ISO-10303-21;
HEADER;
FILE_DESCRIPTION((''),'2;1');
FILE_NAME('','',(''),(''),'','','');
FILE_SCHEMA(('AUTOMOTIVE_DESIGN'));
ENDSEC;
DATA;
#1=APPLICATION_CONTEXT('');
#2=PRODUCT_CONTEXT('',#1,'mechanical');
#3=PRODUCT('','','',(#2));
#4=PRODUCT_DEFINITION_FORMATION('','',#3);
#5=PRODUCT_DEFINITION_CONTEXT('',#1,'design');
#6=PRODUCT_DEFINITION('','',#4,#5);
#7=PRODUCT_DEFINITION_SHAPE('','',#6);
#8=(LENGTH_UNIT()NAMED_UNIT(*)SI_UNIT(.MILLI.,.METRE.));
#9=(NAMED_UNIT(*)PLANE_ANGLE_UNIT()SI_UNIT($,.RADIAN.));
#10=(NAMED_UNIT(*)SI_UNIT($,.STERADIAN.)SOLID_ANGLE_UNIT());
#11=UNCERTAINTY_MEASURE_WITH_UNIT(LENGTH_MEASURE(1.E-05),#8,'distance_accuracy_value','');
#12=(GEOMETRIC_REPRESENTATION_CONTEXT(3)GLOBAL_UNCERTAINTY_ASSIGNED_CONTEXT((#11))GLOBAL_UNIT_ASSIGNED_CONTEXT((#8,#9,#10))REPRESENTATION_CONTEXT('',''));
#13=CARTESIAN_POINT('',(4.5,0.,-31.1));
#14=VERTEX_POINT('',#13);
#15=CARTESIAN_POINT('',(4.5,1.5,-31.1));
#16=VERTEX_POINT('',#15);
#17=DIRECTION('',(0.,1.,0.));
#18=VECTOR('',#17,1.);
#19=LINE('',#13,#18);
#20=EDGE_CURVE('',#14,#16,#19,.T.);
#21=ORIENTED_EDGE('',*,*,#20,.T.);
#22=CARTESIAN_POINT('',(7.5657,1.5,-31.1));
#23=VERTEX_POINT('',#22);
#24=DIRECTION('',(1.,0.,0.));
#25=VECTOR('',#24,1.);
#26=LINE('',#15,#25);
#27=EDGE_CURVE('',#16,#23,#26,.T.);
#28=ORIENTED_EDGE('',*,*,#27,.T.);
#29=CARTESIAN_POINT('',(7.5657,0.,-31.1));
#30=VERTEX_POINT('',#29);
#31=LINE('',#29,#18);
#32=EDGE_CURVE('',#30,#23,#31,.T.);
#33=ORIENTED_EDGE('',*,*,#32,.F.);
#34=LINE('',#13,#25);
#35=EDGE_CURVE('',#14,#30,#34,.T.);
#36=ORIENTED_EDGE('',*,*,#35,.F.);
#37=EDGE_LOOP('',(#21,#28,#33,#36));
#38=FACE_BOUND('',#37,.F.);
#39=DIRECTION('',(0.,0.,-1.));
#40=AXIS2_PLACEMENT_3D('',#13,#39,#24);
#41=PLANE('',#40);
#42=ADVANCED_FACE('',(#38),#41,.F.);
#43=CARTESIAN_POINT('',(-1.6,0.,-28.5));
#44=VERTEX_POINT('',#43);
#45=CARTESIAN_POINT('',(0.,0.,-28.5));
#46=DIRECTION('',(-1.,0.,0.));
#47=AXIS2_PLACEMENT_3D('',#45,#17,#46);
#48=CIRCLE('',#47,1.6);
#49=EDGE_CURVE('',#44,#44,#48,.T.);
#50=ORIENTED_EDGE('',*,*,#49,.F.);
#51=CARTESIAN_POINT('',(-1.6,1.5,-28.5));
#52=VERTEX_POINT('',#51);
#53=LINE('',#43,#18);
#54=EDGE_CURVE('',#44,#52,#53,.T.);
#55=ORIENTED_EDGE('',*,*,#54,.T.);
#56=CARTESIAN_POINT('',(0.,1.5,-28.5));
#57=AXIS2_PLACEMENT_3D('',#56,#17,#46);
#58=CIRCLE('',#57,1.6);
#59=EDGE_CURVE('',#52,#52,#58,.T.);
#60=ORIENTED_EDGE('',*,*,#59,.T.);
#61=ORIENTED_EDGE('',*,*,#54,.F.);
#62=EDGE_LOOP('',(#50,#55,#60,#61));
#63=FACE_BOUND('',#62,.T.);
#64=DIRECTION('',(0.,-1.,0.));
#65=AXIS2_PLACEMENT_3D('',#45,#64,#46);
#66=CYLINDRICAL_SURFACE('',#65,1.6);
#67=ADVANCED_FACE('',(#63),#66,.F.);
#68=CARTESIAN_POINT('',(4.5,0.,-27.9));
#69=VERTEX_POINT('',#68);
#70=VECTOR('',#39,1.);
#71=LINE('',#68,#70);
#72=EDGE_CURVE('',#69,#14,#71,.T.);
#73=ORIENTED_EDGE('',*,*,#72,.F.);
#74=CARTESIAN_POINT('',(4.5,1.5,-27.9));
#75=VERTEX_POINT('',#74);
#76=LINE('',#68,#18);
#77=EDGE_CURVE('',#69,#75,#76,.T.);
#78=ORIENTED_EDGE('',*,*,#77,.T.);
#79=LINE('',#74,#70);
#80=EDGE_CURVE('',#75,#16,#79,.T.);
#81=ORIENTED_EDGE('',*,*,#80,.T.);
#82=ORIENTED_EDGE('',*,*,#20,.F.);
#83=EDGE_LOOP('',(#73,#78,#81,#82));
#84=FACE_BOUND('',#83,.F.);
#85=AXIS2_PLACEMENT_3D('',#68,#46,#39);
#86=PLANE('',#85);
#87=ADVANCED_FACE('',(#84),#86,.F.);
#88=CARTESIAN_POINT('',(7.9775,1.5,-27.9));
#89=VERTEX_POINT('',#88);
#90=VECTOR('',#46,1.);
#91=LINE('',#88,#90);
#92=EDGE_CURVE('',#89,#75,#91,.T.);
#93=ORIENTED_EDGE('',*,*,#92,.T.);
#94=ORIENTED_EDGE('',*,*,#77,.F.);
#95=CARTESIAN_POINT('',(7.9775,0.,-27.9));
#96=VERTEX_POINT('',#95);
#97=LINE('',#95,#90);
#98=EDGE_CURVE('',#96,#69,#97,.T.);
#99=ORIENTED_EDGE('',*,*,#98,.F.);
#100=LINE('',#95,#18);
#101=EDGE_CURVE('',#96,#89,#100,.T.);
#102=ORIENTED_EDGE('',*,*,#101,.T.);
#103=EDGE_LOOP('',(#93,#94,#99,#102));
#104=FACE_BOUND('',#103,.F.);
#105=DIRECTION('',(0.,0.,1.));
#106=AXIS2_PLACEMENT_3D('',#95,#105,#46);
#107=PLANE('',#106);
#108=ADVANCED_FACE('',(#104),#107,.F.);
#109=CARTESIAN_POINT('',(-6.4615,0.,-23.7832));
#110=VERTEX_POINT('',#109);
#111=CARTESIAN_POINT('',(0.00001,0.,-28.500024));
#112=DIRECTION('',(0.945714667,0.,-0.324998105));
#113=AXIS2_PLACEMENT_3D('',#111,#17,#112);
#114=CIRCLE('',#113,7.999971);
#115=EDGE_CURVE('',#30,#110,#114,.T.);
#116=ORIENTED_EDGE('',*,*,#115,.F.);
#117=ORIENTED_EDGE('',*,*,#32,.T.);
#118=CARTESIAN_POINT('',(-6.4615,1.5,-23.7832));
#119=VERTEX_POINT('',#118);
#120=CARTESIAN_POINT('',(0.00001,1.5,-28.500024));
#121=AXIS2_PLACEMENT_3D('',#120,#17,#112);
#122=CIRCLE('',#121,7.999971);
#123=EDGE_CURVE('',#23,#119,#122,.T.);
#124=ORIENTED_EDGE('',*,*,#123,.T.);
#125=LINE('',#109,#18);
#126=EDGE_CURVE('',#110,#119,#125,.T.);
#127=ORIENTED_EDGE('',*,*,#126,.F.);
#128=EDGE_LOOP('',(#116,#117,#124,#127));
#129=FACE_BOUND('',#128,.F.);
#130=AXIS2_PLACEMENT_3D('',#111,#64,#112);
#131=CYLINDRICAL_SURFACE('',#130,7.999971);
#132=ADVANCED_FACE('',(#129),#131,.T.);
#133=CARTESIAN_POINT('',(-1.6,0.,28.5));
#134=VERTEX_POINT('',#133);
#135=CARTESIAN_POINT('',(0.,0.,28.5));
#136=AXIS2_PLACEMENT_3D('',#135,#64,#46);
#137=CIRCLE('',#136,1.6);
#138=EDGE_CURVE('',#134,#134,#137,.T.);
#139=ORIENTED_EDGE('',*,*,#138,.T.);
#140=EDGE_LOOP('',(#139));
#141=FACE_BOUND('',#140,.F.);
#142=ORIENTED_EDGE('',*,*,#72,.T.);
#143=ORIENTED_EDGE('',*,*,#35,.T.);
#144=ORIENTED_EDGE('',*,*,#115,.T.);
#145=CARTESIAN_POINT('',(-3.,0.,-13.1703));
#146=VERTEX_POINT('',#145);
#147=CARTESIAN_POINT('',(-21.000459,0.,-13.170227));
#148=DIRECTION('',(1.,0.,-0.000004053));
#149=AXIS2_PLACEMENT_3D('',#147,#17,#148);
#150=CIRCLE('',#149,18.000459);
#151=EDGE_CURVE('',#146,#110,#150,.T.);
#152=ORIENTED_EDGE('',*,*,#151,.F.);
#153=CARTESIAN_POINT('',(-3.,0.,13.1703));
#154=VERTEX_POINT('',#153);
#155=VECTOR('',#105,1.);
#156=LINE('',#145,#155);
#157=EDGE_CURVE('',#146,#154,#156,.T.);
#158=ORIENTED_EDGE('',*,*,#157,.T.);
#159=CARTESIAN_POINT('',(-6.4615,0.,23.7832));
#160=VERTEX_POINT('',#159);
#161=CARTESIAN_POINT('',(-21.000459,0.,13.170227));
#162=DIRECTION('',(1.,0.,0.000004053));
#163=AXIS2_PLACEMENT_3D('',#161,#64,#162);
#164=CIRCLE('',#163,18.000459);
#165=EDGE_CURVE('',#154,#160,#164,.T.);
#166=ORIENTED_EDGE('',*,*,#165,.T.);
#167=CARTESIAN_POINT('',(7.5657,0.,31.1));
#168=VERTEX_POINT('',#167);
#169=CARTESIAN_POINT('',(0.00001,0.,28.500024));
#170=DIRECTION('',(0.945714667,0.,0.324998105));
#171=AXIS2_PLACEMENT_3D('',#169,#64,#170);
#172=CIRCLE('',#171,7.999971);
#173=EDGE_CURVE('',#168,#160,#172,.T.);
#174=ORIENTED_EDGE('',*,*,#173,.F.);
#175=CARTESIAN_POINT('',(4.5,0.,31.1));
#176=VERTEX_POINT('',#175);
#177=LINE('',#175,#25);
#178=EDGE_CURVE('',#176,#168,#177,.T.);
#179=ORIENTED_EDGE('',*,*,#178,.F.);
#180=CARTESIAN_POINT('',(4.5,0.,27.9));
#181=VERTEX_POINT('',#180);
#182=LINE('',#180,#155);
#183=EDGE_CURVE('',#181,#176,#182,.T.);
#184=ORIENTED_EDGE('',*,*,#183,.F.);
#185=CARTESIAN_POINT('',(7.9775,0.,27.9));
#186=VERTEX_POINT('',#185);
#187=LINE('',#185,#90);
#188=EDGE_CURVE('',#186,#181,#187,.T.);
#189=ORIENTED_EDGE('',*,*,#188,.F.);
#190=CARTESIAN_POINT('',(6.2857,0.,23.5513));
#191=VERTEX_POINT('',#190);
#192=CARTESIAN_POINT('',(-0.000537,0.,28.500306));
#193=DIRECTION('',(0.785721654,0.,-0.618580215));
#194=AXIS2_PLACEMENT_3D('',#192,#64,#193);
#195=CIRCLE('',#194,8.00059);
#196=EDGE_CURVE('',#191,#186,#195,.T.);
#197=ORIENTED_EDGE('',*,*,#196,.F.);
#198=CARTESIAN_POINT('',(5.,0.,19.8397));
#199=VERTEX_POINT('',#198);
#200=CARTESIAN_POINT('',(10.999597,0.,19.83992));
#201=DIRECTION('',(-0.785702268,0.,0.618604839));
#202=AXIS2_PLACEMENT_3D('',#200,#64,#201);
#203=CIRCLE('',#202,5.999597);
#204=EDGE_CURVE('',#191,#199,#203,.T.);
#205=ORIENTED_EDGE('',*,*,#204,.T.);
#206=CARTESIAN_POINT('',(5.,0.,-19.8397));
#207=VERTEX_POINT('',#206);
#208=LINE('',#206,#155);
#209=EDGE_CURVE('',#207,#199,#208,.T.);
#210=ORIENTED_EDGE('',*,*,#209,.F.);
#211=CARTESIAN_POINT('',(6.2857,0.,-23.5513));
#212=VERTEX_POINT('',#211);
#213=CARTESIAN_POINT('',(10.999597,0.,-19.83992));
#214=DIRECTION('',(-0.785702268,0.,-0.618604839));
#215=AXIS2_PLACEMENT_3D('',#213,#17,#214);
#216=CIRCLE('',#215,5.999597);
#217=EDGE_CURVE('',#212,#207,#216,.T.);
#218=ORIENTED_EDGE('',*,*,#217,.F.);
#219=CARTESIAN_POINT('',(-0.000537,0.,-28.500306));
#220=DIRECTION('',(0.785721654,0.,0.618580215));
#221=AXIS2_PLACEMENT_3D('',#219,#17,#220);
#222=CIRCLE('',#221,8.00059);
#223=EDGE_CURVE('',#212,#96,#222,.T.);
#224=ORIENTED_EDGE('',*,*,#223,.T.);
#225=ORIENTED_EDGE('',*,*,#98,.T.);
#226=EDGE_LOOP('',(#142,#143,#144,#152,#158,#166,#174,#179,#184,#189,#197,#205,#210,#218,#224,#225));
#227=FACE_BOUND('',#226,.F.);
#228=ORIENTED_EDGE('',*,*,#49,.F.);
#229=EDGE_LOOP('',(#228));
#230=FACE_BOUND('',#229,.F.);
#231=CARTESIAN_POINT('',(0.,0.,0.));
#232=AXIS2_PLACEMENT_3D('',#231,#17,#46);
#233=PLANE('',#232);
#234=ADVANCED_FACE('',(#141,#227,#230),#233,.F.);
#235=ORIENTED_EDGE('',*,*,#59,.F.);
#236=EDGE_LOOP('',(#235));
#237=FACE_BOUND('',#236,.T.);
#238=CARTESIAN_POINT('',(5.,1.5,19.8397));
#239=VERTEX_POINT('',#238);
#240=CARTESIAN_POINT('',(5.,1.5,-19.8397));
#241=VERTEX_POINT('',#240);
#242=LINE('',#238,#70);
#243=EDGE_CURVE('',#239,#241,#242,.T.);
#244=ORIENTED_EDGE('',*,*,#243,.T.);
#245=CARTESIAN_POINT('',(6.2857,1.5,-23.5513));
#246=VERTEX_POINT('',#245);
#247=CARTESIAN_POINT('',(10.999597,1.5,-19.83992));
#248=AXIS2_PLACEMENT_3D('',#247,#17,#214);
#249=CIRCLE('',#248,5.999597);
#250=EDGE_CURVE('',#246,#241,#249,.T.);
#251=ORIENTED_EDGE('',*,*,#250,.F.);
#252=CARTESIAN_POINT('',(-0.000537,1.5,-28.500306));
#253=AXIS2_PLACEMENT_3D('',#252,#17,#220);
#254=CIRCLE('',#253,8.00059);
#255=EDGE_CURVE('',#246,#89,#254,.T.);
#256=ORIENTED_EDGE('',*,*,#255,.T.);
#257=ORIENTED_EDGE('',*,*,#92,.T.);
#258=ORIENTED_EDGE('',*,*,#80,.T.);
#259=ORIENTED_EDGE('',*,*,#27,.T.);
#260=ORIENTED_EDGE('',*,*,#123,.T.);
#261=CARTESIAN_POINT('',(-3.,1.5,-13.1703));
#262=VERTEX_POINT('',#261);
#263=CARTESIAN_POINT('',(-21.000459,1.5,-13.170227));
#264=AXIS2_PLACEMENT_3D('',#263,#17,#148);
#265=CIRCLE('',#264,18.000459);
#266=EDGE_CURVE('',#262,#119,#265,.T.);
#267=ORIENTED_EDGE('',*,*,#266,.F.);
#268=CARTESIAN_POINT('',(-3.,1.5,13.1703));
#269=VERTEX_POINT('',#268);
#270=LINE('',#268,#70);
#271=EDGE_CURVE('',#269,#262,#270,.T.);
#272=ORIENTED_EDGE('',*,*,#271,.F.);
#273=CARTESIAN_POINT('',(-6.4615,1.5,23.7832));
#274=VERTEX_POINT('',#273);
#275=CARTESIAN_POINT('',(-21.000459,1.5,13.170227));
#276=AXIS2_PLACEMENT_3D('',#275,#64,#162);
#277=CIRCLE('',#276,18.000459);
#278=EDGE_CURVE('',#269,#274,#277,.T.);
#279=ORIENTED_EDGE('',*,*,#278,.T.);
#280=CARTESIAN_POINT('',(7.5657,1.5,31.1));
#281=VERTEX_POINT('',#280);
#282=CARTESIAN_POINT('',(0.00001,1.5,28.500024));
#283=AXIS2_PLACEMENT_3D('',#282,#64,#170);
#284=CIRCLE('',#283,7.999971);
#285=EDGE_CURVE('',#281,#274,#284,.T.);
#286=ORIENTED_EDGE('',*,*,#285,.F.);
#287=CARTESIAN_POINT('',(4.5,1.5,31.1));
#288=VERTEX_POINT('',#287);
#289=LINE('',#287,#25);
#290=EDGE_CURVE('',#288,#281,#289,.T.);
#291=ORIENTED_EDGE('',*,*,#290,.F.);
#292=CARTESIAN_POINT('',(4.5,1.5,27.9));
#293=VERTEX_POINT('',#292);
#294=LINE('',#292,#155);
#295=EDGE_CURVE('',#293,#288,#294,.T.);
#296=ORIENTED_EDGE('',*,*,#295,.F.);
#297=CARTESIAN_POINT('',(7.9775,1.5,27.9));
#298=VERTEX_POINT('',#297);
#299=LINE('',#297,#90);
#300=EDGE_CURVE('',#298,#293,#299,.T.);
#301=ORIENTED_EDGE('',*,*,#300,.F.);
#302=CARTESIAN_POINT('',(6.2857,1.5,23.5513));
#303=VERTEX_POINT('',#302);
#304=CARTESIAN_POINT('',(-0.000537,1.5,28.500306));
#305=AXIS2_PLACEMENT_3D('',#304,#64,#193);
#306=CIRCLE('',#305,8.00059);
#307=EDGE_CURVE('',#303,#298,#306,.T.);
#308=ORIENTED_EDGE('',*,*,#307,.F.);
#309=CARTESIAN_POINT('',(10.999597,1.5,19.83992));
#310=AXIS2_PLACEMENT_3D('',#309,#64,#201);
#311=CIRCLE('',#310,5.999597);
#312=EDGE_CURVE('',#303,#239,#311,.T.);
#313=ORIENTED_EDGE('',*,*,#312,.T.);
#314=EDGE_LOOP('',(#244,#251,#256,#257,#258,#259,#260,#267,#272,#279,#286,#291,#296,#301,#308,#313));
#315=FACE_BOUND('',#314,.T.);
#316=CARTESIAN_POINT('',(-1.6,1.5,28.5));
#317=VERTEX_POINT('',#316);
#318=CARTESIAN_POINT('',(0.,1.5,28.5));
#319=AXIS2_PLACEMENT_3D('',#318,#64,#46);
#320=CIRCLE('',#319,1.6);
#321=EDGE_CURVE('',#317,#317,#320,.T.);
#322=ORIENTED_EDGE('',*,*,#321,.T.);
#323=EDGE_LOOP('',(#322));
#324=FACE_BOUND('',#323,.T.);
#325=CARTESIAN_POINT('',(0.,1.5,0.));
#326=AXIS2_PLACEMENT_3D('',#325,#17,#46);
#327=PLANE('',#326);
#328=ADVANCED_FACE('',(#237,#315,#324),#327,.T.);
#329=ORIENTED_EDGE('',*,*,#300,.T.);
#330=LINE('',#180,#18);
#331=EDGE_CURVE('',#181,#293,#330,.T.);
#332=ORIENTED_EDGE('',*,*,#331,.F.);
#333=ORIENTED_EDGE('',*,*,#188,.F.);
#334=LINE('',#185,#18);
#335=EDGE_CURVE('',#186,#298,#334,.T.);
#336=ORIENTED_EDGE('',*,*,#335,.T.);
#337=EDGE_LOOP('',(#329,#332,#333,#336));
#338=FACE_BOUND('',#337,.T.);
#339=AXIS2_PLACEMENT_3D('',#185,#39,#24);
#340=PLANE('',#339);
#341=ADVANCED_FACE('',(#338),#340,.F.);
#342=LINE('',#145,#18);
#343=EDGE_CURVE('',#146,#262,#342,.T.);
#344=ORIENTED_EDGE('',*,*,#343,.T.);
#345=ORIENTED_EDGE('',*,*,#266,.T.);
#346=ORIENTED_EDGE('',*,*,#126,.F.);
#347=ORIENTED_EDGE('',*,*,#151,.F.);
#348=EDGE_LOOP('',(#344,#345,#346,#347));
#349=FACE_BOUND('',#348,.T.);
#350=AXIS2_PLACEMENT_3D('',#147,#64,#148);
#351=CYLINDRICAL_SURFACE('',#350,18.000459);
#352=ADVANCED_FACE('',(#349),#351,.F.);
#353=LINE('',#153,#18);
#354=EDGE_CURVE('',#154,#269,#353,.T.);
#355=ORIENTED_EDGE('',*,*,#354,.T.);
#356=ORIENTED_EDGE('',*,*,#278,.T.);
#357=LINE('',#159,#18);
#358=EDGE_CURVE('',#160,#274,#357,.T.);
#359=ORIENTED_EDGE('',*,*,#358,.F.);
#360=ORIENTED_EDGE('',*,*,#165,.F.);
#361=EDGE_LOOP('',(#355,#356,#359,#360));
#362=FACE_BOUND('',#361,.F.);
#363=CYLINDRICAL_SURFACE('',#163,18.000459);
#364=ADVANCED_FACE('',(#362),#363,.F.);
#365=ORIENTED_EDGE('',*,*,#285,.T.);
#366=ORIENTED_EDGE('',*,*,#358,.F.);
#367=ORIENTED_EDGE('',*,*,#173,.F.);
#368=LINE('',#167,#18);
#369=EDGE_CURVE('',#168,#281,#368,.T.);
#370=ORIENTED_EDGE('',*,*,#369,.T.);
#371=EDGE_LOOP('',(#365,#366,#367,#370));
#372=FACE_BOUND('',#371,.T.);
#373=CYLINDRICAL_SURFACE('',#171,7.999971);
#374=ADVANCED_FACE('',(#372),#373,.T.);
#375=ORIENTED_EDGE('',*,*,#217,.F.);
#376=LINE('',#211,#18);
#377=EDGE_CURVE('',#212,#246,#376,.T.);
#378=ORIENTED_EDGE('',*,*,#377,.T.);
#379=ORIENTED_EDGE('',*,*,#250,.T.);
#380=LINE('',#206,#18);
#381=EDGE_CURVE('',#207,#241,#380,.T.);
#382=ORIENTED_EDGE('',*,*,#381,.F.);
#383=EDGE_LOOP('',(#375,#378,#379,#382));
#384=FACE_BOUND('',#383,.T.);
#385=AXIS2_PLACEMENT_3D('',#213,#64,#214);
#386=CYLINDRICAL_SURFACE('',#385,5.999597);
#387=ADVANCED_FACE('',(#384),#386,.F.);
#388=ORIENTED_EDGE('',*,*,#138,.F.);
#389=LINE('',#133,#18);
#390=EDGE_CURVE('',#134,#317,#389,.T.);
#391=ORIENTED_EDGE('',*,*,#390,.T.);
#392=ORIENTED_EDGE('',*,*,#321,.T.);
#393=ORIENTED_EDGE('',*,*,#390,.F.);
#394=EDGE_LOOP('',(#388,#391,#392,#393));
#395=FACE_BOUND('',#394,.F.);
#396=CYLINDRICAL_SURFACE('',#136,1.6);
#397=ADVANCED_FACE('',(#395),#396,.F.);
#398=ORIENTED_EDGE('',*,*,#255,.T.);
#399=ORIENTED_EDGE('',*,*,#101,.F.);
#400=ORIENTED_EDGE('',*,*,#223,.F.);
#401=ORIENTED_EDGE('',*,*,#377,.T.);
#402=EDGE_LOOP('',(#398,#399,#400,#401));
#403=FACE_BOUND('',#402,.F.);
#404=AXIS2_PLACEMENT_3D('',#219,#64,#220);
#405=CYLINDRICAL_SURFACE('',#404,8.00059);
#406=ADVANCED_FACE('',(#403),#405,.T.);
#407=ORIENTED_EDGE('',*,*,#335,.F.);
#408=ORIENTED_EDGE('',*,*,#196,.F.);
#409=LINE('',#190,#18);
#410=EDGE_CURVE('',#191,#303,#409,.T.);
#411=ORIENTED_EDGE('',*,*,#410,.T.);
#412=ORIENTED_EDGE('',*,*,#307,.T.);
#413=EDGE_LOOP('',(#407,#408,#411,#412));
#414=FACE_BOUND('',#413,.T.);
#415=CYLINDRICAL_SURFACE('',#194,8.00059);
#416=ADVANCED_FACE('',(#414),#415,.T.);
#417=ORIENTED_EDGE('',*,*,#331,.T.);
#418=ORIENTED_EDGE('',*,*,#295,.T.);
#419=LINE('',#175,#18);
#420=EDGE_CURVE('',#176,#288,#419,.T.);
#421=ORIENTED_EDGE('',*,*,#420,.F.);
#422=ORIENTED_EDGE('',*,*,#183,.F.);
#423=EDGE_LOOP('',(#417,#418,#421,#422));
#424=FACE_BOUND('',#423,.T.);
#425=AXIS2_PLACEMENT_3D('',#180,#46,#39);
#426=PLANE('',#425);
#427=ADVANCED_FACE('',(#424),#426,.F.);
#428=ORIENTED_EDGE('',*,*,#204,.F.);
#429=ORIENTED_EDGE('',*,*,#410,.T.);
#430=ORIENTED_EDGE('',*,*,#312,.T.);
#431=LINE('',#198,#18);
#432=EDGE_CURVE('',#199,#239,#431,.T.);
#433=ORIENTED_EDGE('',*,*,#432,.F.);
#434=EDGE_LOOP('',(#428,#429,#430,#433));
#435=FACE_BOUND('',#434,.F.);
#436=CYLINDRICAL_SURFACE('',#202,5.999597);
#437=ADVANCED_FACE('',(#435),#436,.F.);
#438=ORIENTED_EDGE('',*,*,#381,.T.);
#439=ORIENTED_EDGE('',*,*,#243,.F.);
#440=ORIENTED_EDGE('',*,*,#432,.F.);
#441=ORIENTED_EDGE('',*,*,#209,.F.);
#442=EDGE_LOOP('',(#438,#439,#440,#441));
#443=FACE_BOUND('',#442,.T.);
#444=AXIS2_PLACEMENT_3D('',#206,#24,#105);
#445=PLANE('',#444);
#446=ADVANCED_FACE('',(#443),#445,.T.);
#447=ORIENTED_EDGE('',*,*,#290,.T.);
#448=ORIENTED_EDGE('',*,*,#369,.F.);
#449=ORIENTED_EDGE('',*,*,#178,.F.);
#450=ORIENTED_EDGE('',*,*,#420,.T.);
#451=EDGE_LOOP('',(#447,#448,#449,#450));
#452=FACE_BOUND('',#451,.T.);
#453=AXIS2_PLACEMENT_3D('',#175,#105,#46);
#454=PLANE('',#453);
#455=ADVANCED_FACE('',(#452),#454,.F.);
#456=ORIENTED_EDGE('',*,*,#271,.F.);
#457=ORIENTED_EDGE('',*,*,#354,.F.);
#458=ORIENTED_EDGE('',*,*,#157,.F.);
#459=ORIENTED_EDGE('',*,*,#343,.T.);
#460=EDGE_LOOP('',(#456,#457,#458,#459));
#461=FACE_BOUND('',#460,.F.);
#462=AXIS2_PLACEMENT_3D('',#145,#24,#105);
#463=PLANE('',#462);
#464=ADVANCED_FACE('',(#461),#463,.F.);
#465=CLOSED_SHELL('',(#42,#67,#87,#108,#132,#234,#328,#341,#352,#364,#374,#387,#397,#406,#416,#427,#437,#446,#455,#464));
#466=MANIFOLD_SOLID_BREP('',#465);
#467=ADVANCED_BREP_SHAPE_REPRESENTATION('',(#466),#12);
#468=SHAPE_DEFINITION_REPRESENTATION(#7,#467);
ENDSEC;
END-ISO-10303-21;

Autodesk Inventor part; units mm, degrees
ref_plane "YZ Plane" through (0, 0, 0) normal (1, 0, 0) x (0, 1, 0)
ref_plane "XZ Plane" through (0, 0, 0) normal (0, 1, 0) x (-1, 0, 0)
ref_plane "XY Plane" through (0, 0, 0) normal (0, 0, 1) x (1, 0, 0)
sketch "Sketch2" plane through (0, 0, 0) normal (0, 1, 0) x (-1, 0, 0)
  line L0 (3, -13.1703) -> (3, 0)
  line L1 (-7.9775, -27.9) -> (-4.5, -27.9)
  line L2 (-4.5, -27.9) -> (-4.5, -31.1)
  line L3 (-4.5, -31.1) -> (-7.5657, -31.1)
  circle A0 centre (0, -28.5) radius 1.6
  line L4 (-5, -19.8397) -> (-5, 0)
  arc A1 (-6.2857, -23.5513) -> (-7.9775, -27.9) centre (0, -28.5) ccw
  arc A2 (-7.5657, -31.1) -> (6.4615, -23.7832) centre (0, -28.5) ccw
  line L5 (62.6119, 0) -> (-52.77, 0)
  arc A3 (3, -13.1703) -> (6.4615, -23.7832) centre (21, -13.1703) ccw
  line L6 (3, 0) -> (-5, 0)
  arc A4 (-6.2857, -23.5513) -> (-5, -19.8397) centre (-11, -19.8397) ccw
  point P0 (0, 0)
  point P1 (0, 0)
  point P2 (-5, -22.255)
  point P3 (3, -21.0838)
  dimension "d3" = 0.6
  dimension "d4" = 3.2
  dimension "d5" = 3.2
  dimension "d6" = 4.5
  dimension "d8" = 57
  dimension "d9" = 3
  dimension "d10" = 5
  dimension "d11" = 8
  dimension "d12" = 18
  dimension "d15" = 6
extrude "Extrusion1" add sketch "Sketch2" along normal blind 1.5
mirror "Mirror1" about plane through (0, 0, 0) normal (0, 0, 1) of "Extrusion1"
properties part number "Spacer1"
